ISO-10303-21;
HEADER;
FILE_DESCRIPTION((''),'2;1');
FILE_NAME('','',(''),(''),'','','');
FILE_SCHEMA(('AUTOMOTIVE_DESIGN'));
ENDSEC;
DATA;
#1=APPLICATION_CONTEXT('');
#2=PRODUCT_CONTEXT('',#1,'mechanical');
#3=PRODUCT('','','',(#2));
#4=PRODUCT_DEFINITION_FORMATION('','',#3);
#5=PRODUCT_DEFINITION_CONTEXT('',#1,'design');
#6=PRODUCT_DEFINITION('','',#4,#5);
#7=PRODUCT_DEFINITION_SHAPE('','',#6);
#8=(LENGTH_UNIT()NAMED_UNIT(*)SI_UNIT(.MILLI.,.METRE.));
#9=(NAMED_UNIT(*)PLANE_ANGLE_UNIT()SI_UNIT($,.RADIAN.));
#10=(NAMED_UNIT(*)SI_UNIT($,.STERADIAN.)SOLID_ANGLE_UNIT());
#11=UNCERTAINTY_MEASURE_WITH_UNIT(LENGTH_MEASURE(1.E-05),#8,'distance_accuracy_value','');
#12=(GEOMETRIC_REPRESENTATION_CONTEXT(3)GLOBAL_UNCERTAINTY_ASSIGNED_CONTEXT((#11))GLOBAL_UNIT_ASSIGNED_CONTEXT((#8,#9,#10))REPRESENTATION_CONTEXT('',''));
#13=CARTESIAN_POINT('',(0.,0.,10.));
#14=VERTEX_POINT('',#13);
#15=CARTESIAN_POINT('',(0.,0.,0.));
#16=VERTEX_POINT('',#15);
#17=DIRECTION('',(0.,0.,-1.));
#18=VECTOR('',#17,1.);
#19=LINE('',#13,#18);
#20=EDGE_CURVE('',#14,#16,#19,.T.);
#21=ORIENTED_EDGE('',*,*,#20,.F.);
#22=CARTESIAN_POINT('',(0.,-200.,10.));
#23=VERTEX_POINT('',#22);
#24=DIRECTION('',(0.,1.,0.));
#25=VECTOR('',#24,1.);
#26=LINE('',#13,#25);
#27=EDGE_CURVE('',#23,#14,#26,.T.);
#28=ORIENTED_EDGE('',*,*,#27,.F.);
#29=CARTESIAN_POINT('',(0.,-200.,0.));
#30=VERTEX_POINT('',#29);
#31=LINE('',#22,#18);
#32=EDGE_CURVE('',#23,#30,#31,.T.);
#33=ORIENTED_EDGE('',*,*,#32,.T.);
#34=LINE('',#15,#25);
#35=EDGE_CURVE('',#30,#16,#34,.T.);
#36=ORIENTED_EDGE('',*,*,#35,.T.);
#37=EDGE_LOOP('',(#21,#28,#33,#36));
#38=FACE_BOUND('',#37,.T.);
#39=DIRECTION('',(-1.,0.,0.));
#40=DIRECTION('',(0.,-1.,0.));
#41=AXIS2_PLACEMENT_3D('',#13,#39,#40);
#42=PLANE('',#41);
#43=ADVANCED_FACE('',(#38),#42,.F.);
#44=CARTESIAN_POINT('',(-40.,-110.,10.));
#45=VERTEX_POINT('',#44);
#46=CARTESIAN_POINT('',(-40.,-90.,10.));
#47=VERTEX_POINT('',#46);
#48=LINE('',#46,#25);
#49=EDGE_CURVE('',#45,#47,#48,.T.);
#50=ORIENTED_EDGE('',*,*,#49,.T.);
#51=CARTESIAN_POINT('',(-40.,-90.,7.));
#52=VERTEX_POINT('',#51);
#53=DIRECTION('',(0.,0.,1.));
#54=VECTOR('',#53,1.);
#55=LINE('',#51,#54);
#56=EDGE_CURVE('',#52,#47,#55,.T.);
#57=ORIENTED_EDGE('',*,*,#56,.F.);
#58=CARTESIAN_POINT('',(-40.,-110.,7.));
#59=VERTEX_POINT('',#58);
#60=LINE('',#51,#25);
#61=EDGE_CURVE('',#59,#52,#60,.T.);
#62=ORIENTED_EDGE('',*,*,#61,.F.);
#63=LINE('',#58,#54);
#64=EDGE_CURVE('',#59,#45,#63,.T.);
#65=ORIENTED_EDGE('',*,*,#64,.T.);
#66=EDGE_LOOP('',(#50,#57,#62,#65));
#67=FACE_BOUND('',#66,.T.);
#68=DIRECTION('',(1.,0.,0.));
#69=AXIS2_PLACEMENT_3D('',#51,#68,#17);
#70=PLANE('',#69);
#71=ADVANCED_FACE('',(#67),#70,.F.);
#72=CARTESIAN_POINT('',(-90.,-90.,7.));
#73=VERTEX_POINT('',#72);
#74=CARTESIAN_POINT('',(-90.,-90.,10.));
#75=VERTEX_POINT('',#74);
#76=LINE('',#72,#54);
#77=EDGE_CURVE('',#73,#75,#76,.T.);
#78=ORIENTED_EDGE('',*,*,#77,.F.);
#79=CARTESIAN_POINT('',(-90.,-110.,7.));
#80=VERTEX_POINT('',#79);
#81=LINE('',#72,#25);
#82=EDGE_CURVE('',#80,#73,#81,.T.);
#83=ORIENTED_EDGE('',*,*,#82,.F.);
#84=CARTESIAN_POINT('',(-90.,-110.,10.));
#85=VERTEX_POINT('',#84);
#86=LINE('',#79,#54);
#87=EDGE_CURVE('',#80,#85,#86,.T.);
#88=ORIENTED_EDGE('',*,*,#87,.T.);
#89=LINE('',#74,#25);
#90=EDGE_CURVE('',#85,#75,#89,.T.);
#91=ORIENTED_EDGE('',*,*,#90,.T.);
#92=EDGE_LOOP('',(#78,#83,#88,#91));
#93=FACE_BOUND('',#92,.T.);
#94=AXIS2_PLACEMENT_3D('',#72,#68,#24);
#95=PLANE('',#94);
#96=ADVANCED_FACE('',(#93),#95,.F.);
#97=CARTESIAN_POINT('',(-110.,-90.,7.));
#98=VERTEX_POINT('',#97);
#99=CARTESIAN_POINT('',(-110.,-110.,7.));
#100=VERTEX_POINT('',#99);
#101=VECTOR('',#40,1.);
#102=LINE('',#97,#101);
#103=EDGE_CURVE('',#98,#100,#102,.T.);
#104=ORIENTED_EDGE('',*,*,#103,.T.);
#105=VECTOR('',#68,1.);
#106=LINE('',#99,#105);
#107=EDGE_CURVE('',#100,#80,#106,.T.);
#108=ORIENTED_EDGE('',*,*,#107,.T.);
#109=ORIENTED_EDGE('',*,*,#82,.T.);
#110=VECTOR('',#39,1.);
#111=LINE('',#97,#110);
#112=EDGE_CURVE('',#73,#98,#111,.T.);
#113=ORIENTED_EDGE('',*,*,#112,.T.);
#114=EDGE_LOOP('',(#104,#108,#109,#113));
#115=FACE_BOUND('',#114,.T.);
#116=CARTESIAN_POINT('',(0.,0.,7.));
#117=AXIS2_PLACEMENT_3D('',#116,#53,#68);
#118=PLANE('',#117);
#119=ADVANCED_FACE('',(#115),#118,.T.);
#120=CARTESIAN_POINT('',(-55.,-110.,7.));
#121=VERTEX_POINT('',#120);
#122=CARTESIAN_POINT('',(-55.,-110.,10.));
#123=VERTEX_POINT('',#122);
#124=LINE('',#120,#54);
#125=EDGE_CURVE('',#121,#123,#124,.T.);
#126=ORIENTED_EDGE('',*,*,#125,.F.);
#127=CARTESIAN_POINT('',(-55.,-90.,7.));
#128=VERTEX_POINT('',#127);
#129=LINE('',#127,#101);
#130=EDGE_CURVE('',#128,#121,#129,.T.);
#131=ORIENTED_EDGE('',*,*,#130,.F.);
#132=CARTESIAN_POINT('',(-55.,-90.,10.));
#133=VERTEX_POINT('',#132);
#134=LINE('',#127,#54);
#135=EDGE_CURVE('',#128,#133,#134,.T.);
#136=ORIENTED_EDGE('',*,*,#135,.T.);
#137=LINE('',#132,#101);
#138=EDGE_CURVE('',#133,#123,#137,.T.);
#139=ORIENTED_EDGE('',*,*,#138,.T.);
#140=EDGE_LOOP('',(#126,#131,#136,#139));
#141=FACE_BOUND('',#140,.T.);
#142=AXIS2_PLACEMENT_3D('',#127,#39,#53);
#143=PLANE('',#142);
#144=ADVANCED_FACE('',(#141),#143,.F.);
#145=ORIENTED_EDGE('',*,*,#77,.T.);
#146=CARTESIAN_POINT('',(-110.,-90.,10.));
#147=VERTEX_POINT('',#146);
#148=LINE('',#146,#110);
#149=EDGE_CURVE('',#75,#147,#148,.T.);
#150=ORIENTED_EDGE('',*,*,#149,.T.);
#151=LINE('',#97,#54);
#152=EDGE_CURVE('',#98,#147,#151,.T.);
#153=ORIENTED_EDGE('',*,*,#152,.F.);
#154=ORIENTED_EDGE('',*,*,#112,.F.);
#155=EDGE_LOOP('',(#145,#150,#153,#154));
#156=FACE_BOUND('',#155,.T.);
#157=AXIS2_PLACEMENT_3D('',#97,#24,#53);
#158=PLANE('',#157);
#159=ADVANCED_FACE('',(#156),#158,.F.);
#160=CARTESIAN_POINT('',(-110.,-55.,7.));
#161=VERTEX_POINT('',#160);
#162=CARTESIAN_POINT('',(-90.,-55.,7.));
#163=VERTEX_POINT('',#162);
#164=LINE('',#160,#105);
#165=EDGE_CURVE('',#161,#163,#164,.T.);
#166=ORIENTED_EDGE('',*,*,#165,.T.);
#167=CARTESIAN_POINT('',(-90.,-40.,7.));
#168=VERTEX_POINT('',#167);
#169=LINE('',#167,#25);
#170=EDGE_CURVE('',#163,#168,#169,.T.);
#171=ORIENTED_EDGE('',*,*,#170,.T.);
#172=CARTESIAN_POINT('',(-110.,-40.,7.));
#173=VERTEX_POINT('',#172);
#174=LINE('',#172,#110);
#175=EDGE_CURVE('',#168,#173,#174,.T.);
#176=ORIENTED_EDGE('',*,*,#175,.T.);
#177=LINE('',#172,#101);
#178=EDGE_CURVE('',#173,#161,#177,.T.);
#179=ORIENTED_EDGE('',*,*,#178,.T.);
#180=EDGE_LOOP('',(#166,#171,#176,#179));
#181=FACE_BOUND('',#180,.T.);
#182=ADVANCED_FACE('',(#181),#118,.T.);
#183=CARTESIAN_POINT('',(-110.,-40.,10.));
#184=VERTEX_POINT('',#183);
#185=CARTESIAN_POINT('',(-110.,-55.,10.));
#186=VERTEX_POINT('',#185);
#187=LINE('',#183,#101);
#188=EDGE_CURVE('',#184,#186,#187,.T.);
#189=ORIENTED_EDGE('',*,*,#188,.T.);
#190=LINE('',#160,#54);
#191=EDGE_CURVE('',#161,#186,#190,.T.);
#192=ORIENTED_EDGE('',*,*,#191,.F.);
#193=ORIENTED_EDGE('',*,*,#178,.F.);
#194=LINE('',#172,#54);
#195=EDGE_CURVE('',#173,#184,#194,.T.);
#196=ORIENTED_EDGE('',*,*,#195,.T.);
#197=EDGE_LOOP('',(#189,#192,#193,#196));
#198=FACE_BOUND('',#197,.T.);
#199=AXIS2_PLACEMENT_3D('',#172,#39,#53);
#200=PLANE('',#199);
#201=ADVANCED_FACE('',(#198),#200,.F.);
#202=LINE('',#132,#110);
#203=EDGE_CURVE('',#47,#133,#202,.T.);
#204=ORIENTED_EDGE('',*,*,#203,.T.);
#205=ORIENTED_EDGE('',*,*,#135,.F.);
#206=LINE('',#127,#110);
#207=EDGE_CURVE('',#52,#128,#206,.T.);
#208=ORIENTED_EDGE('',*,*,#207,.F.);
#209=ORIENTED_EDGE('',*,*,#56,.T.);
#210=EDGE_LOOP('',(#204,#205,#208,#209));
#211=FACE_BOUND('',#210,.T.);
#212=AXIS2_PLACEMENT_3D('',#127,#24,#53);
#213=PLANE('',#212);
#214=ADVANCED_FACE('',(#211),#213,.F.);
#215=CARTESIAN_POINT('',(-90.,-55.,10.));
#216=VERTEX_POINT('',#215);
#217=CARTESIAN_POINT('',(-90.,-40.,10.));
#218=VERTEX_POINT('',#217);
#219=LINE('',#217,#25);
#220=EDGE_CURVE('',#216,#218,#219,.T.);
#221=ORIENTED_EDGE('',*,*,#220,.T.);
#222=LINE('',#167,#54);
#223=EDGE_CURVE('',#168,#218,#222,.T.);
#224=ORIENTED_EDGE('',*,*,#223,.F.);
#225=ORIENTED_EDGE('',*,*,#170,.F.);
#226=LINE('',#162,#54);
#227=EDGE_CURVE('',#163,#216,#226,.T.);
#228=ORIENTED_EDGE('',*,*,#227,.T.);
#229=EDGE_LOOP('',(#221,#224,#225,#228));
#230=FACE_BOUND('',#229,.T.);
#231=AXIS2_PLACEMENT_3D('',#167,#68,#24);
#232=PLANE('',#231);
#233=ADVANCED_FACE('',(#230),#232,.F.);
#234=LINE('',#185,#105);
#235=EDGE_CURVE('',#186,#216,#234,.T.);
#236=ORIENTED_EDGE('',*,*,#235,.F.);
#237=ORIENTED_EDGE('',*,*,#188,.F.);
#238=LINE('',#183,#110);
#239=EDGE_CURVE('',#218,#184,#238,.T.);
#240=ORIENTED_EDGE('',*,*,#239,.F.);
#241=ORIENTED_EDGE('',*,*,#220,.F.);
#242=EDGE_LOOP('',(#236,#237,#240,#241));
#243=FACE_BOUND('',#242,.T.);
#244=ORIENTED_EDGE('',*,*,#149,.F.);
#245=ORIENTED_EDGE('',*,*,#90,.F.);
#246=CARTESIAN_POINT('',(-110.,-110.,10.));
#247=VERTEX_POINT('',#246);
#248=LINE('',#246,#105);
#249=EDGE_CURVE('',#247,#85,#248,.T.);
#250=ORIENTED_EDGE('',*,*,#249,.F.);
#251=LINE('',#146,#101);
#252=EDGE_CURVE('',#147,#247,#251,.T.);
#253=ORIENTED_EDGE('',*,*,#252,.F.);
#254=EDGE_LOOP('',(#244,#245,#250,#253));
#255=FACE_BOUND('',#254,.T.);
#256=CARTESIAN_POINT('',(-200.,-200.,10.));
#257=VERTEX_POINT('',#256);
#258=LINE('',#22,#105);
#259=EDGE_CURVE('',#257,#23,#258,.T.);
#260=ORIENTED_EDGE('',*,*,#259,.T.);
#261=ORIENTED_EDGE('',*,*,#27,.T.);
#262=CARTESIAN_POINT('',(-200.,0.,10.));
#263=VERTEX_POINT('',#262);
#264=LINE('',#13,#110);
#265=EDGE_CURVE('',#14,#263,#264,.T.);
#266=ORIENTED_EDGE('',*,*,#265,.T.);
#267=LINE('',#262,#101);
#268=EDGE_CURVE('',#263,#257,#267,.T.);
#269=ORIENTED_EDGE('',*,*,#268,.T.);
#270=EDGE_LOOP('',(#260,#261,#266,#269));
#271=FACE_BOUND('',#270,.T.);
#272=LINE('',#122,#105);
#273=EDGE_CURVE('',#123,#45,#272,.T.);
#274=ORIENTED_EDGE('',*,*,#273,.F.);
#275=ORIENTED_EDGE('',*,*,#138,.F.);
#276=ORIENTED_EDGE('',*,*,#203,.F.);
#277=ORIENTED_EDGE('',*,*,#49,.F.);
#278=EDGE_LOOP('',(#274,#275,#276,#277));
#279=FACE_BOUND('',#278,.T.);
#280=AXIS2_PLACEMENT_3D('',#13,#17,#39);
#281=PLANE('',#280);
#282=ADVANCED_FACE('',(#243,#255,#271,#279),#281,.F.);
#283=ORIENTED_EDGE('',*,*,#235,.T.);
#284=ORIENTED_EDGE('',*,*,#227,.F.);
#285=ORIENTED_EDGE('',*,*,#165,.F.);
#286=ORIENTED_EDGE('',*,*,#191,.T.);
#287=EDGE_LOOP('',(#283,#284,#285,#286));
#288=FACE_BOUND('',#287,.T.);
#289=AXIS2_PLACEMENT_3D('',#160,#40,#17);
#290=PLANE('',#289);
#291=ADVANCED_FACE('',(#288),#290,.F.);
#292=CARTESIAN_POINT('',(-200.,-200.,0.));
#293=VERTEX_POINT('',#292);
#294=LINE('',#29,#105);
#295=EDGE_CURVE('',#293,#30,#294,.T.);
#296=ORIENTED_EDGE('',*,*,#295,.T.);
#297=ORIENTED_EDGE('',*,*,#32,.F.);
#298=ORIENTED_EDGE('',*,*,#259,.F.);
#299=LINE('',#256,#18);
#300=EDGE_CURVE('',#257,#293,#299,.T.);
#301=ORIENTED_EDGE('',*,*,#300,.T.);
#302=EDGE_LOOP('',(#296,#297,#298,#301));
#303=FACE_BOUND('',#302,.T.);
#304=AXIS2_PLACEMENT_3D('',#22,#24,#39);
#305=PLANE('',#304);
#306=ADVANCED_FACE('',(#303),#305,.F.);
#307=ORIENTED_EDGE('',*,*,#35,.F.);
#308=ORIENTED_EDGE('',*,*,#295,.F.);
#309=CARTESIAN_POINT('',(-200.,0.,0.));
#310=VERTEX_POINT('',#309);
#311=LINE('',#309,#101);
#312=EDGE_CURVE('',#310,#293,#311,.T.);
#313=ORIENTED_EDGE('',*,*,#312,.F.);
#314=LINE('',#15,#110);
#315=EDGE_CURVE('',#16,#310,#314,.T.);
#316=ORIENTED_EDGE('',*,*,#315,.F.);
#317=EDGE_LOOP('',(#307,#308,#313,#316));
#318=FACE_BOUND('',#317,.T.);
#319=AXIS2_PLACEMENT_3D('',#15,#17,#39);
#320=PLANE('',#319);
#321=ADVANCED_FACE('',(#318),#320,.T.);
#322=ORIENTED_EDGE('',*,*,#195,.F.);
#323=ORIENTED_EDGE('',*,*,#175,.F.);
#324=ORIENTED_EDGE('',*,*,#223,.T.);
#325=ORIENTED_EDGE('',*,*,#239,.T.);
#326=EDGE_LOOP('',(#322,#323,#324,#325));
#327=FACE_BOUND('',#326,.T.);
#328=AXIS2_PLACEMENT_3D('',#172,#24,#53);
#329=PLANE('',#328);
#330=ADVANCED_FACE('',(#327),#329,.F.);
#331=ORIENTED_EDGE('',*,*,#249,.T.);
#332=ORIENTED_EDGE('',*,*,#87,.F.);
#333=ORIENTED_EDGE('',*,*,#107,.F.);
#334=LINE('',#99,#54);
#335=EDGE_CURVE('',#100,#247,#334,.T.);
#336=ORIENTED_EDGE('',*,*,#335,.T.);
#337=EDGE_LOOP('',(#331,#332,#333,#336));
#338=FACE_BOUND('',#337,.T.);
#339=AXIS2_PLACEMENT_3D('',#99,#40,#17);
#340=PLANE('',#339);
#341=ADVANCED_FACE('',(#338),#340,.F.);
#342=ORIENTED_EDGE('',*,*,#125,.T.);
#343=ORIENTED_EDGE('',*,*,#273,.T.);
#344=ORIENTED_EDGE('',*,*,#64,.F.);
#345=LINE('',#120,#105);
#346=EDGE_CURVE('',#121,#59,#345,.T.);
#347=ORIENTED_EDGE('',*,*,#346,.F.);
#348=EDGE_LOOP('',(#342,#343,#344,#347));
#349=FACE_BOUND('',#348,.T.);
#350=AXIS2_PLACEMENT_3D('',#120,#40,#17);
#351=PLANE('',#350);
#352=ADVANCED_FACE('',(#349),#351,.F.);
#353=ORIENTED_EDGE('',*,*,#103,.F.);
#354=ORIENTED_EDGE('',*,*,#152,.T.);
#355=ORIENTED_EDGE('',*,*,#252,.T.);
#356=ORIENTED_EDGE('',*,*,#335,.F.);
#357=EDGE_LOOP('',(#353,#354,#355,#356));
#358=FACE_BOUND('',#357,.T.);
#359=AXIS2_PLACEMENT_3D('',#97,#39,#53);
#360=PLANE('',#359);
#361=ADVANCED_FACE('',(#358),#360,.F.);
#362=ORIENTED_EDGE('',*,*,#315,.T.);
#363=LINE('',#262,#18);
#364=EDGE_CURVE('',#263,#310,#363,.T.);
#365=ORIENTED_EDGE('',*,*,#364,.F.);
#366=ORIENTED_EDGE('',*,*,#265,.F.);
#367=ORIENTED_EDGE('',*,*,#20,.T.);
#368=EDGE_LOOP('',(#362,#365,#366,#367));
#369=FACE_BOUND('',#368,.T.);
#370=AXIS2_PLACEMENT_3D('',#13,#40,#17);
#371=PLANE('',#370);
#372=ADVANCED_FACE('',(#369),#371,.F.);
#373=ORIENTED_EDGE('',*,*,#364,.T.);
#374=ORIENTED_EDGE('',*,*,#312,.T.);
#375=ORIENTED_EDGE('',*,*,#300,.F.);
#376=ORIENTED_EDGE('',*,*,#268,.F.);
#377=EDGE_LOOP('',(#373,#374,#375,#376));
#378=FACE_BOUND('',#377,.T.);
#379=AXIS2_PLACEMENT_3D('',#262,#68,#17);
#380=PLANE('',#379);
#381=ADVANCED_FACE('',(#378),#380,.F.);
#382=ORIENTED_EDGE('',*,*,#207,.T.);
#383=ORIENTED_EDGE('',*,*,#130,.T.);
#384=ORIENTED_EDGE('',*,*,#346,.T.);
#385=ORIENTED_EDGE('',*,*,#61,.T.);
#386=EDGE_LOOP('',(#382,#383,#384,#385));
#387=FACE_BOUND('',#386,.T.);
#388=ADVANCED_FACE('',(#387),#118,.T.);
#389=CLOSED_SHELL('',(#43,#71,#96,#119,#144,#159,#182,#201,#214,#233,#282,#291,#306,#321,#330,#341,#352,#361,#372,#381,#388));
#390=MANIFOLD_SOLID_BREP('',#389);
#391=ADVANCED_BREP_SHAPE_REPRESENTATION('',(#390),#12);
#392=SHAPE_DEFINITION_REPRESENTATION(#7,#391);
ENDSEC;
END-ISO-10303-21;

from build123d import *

# Parameters (mm, degrees)
SKETCH1_W           = 200
SKETCH1_H           = 200
BOSS_EXTRUDE1_DEPTH = 10
SKETCH2_W           = 20
SKETCH2_H           = 20
CUT_EXTRUDE2_DEPTH  = 3
SKETCH3_W           = 20
SKETCH3_H           = 15
SKETCH3_W_2         = 15
SKETCH3_H_2         = 20
CUT_EXTRUDE3_DEPTH  = 3


with BuildPart() as part:
    # Sketch1 → Boss-Extrude1 (new body)
    with BuildSketch(Plane.XY):
        with Locations((-100, -100)):
            Rectangle(SKETCH1_W, SKETCH1_H)
    extrude(amount=BOSS_EXTRUDE1_DEPTH)

    # Sketch2 → Cut-Extrude2 (cut)
    with BuildSketch(Plane.XY.offset(10)):
        with Locations((-100, -100)):
            Rectangle(SKETCH2_W, SKETCH2_H)
    extrude(amount=-CUT_EXTRUDE2_DEPTH, mode=Mode.SUBTRACT)

    # Sketch3 → Cut-Extrude3 (cut)
    with BuildSketch(Plane.XY.offset(10)):
        with Locations((-100, -47.5)):
            Rectangle(SKETCH3_W, SKETCH3_H)
        with Locations((-47.5, -100)):
            Rectangle(SKETCH3_W_2, SKETCH3_H_2)
    extrude(amount=-CUT_EXTRUDE3_DEPTH, mode=Mode.SUBTRACT)


solid = part.part
